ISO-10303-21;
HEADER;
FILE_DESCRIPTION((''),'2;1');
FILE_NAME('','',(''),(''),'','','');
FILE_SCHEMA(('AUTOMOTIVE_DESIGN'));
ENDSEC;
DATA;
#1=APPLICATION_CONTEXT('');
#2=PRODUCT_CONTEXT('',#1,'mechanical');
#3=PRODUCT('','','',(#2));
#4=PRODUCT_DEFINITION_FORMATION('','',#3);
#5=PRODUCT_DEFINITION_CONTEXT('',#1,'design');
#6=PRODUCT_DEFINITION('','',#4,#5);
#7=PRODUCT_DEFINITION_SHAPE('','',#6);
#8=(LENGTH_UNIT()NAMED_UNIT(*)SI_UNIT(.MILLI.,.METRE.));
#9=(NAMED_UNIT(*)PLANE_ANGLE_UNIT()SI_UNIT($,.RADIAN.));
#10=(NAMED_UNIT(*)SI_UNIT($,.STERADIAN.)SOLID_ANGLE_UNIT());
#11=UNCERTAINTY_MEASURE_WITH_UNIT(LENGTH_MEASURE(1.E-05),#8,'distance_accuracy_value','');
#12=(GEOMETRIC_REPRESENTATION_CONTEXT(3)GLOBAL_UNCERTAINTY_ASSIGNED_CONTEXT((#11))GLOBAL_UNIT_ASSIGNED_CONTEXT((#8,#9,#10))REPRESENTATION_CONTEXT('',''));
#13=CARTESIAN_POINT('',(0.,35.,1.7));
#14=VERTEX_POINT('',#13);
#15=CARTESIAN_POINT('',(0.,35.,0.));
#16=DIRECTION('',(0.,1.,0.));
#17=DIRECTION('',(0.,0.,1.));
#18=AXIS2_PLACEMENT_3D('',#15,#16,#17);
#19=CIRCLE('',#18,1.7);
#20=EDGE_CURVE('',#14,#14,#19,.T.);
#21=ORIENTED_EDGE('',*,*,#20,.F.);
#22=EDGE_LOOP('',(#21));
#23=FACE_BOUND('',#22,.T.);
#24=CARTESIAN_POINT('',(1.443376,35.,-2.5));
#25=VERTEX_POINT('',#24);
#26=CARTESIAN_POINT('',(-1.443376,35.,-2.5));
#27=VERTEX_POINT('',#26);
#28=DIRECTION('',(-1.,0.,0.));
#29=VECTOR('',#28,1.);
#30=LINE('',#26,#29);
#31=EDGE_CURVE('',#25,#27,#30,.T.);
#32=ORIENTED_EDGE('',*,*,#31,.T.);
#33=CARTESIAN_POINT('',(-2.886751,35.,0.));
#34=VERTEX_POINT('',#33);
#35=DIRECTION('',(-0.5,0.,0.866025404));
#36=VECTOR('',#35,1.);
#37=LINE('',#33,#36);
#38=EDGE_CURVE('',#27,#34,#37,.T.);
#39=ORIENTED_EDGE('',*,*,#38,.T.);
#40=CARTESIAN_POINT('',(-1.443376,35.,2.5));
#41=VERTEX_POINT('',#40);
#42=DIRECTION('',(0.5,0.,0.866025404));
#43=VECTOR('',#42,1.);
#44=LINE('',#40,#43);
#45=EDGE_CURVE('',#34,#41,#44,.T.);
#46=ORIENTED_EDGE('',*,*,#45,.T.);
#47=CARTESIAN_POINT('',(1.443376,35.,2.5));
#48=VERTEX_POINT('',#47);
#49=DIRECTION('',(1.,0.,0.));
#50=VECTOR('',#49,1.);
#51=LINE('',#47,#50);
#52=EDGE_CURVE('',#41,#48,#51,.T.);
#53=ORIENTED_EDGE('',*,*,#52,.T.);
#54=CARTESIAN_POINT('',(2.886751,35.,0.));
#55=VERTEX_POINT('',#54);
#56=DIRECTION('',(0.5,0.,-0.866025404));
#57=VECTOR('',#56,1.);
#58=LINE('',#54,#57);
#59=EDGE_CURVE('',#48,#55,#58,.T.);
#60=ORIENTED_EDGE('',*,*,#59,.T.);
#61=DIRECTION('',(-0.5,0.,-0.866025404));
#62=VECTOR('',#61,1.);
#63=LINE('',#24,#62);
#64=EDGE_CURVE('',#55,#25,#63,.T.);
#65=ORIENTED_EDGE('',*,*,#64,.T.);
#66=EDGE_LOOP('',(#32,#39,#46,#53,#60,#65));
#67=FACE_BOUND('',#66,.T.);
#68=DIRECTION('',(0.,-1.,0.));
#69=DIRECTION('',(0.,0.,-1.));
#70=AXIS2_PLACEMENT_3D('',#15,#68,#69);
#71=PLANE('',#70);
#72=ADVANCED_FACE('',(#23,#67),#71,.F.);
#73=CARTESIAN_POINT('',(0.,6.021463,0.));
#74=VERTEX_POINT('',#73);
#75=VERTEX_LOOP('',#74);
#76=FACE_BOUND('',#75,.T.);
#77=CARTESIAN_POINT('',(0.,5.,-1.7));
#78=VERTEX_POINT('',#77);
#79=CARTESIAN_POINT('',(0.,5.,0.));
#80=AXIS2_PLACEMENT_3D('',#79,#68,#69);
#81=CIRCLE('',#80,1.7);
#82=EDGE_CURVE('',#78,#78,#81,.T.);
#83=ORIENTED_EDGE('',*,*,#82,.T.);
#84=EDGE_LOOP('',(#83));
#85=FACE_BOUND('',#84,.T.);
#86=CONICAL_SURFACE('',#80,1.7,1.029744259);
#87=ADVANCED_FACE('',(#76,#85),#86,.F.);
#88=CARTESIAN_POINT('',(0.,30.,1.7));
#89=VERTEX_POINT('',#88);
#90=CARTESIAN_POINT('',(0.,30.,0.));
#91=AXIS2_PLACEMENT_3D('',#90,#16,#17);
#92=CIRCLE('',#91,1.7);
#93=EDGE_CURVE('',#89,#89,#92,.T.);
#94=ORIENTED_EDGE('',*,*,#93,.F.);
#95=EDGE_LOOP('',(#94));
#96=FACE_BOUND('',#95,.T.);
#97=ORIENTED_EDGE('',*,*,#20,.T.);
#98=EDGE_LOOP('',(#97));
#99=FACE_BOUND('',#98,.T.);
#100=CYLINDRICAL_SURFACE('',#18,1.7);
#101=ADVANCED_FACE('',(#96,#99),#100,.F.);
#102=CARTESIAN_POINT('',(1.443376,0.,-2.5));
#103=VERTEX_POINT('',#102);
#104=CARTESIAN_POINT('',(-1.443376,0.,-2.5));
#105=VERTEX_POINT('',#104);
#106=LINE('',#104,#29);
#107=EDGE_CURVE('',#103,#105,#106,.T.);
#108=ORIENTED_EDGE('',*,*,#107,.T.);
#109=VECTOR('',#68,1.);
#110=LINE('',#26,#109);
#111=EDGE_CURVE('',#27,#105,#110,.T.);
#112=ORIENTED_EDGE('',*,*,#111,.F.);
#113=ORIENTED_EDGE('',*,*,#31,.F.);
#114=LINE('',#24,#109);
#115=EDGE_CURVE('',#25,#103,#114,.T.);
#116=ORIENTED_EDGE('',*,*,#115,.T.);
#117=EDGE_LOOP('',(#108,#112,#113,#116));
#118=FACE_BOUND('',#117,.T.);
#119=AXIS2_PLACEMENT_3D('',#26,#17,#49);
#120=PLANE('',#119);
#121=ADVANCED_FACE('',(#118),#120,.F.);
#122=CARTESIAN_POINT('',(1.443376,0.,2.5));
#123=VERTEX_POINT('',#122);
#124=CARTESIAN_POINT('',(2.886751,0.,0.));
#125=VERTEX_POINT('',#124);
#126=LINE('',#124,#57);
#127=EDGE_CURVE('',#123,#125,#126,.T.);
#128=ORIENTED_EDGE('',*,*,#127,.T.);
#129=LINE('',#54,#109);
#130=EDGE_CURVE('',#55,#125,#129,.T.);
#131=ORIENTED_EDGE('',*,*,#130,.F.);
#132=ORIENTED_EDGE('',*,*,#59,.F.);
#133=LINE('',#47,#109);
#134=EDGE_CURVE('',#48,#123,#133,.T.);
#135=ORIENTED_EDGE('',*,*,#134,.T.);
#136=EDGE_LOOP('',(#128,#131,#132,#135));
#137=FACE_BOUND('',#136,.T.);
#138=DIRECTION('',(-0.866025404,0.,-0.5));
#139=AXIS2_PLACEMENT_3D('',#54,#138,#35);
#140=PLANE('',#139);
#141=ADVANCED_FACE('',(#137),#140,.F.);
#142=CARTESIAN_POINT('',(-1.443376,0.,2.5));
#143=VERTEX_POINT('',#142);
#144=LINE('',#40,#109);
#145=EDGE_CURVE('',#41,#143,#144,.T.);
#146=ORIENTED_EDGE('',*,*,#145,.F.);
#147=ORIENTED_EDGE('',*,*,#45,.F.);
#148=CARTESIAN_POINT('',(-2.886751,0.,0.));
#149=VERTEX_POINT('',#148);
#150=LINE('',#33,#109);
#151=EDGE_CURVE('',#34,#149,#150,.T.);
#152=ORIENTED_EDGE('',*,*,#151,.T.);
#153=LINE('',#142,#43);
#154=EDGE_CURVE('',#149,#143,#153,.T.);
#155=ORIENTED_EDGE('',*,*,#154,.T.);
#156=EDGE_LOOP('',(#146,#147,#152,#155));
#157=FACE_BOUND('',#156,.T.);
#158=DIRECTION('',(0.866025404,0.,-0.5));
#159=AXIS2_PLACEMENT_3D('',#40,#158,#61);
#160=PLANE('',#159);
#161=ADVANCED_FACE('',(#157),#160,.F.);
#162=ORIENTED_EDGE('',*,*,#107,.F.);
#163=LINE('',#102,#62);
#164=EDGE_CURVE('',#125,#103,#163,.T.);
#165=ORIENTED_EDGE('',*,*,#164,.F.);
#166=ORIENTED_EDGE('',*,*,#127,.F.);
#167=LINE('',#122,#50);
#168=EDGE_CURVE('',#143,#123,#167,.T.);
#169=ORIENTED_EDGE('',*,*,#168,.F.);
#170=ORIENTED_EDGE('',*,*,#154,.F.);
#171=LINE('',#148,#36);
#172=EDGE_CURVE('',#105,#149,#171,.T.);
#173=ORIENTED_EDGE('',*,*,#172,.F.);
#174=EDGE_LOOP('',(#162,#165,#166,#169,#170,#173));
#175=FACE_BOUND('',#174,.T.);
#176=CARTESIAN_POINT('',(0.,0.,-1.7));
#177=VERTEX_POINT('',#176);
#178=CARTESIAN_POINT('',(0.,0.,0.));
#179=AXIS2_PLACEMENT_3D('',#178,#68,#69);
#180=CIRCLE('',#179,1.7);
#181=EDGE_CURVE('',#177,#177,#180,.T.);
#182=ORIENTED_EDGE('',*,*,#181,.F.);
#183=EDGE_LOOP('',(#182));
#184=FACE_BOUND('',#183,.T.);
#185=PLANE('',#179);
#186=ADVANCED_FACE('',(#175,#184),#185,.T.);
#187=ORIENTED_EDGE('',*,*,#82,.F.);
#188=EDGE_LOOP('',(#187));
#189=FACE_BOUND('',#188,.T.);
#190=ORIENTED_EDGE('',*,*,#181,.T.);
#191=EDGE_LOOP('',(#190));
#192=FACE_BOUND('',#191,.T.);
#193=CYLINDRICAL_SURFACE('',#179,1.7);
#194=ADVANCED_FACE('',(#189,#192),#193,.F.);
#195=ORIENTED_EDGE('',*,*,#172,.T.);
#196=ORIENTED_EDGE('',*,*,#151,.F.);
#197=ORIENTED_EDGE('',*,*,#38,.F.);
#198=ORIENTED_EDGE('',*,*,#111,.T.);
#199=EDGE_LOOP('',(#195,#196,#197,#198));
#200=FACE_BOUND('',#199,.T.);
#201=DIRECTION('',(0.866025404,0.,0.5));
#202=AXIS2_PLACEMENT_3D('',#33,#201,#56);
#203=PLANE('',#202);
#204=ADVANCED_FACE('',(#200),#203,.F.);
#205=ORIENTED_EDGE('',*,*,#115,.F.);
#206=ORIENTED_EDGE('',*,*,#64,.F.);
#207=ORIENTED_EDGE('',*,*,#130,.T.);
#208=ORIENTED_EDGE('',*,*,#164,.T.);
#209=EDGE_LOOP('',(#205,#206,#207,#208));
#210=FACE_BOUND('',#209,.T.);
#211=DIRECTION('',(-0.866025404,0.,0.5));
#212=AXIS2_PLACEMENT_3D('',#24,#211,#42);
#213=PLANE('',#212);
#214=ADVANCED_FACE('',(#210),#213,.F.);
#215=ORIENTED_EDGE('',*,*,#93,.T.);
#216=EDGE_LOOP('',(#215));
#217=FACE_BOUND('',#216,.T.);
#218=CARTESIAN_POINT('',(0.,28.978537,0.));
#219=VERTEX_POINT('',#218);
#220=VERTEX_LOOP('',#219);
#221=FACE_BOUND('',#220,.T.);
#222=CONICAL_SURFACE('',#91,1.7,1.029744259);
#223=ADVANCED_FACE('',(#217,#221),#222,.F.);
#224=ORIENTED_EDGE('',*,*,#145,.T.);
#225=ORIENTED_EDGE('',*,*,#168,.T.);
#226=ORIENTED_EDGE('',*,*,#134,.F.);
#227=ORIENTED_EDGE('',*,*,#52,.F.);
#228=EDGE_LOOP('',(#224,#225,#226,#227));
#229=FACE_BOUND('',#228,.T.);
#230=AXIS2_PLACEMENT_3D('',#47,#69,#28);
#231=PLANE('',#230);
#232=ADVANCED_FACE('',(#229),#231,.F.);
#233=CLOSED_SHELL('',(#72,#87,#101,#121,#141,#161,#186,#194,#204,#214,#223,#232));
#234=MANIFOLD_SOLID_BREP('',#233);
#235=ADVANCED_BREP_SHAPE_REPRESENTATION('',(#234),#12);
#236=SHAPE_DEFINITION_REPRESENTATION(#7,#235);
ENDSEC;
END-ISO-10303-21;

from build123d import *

# Parameters (mm, degrees)
HEX_STANDOFF_DEPTH       = 35
M3_CLEARANCE_HOLE1_D     = 3.4
M3_CLEARANCE_HOLE1_DEPTH = 5
M3_CLEARANCE_HOLE1_TIP   = 1.021463052
M3_CLEARANCE_HOLE5_D     = 3.4
M3_CLEARANCE_HOLE5_DEPTH = 5
M3_CLEARANCE_HOLE5_TIP   = 1.021463052


with BuildPart() as part:
    # Sketch1 → Hex Standoff (new body)
    with BuildSketch(Plane(origin=(0, 0, 0), x_dir=(1, 0, 0), z_dir=(0, 1, 0))):
        Polygon((-1.443375673, 2.5), (1.443375673, 2.5), (2.886751346, 0), (1.443375673, -2.5), (-1.443375673, -2.5), (-2.886751346, 0), align=None)
    extrude(amount=HEX_STANDOFF_DEPTH)

    # M3 Clearance Hole1
    with Locations(Plane(origin=(0, 35, 0), x_dir=(1, 0, 0), z_dir=(0, 1, 0))):
        with Locations((0, 0)):
            Hole(M3_CLEARANCE_HOLE1_D / 2, depth=M3_CLEARANCE_HOLE1_DEPTH)
            with Locations((0, 0, -(M3_CLEARANCE_HOLE1_DEPTH + M3_CLEARANCE_HOLE1_TIP / 2))):  # 118° drill point
                Cone(0, M3_CLEARANCE_HOLE1_D / 2, M3_CLEARANCE_HOLE1_TIP, mode=Mode.SUBTRACT)

    # M3 Clearance Hole5
    with Locations(Plane.XZ):
        with Locations((0, 0)):
            Hole(M3_CLEARANCE_HOLE5_D / 2, depth=M3_CLEARANCE_HOLE5_DEPTH)
            with Locations((0, 0, -(M3_CLEARANCE_HOLE5_DEPTH + M3_CLEARANCE_HOLE5_TIP / 2))):  # 118° drill point
                Cone(0, M3_CLEARANCE_HOLE5_D / 2, M3_CLEARANCE_HOLE5_TIP, mode=Mode.SUBTRACT)


solid = part.part
